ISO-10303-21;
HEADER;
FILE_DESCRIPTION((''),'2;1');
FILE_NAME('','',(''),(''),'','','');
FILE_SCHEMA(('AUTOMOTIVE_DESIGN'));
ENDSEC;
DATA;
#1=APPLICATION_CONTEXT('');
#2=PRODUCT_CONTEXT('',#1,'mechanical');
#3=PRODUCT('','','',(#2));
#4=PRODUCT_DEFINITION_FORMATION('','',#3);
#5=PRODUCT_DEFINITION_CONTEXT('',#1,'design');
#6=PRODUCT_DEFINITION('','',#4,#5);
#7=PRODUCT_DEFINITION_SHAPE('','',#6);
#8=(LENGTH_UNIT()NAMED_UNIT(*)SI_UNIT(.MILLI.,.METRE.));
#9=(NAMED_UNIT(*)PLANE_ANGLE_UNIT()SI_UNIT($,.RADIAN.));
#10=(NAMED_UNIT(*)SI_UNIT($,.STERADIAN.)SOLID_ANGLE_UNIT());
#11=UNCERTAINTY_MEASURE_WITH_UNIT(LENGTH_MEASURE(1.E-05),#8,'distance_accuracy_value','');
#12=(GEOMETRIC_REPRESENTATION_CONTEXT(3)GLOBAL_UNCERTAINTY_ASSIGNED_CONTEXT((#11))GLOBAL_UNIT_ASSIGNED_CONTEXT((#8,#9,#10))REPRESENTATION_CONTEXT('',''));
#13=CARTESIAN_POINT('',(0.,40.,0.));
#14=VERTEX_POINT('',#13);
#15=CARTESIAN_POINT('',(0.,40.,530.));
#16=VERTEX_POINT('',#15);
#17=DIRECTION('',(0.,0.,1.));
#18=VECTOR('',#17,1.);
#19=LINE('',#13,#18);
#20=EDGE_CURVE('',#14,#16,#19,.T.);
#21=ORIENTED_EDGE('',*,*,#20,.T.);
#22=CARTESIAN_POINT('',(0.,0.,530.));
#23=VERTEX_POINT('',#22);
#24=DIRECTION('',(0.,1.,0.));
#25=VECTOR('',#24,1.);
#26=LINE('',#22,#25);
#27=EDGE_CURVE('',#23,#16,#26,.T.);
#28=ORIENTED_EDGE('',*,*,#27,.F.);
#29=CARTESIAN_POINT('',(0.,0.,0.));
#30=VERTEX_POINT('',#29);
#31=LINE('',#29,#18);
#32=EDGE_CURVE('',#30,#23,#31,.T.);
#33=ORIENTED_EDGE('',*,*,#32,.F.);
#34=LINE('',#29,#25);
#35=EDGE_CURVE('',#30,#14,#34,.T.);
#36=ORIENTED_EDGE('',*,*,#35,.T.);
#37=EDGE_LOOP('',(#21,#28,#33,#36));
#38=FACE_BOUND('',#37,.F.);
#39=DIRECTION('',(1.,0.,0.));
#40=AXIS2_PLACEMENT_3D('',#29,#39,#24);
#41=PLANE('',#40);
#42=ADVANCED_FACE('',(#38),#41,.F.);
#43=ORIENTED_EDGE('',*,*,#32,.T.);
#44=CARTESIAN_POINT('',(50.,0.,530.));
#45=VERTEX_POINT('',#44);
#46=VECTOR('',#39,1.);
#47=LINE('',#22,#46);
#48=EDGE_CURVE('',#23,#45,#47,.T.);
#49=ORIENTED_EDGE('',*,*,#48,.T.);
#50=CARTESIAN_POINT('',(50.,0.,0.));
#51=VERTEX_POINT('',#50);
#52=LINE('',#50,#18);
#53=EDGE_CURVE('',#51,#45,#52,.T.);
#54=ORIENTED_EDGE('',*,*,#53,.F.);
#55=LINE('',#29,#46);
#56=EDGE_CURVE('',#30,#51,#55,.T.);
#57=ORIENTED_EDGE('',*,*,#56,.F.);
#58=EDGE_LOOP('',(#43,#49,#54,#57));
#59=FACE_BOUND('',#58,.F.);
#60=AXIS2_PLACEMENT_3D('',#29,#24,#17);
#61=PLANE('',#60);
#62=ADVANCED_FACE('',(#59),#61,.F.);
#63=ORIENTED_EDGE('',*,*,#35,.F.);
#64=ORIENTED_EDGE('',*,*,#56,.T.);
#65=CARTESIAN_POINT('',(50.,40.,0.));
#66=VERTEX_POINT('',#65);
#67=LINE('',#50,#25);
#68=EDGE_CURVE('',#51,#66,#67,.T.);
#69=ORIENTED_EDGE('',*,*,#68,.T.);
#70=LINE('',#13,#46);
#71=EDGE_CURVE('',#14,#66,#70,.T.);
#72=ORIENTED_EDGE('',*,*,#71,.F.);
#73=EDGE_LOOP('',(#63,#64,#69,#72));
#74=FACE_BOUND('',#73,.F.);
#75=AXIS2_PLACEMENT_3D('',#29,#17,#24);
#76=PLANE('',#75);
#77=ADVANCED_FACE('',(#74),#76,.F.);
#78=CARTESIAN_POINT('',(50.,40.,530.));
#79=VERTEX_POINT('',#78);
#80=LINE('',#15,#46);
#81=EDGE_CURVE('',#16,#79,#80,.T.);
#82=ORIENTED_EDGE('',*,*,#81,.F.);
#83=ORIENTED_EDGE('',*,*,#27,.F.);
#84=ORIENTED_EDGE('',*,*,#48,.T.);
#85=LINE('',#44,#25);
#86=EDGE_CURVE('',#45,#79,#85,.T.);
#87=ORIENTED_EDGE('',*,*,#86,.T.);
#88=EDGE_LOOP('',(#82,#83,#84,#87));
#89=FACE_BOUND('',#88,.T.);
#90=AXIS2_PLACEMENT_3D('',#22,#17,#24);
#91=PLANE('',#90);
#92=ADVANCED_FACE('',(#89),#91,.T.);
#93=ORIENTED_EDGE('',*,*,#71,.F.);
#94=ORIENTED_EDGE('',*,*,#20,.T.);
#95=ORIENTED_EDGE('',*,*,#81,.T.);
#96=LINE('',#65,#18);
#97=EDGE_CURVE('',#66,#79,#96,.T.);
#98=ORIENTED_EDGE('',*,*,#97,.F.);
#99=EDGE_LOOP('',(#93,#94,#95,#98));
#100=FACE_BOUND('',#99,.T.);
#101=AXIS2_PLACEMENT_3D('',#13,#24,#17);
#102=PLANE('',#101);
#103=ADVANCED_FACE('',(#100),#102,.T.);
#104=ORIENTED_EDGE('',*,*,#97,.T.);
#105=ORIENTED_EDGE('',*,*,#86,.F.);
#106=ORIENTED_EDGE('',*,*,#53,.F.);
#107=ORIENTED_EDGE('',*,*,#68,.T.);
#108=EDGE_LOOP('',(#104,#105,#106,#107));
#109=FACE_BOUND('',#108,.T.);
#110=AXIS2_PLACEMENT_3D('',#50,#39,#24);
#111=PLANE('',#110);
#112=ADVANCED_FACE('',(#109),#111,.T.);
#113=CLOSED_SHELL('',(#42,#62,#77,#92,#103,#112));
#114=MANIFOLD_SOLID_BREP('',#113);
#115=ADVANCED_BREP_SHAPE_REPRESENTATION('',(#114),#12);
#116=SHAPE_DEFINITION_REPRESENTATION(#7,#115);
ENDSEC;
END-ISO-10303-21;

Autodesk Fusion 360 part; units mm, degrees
box "BoxPrimitive1" add length 530 width 50 height 40 placed x (0, 0, 1) y (1, 0, 0) z (0, 1, 0) at (0, 0, 0)
